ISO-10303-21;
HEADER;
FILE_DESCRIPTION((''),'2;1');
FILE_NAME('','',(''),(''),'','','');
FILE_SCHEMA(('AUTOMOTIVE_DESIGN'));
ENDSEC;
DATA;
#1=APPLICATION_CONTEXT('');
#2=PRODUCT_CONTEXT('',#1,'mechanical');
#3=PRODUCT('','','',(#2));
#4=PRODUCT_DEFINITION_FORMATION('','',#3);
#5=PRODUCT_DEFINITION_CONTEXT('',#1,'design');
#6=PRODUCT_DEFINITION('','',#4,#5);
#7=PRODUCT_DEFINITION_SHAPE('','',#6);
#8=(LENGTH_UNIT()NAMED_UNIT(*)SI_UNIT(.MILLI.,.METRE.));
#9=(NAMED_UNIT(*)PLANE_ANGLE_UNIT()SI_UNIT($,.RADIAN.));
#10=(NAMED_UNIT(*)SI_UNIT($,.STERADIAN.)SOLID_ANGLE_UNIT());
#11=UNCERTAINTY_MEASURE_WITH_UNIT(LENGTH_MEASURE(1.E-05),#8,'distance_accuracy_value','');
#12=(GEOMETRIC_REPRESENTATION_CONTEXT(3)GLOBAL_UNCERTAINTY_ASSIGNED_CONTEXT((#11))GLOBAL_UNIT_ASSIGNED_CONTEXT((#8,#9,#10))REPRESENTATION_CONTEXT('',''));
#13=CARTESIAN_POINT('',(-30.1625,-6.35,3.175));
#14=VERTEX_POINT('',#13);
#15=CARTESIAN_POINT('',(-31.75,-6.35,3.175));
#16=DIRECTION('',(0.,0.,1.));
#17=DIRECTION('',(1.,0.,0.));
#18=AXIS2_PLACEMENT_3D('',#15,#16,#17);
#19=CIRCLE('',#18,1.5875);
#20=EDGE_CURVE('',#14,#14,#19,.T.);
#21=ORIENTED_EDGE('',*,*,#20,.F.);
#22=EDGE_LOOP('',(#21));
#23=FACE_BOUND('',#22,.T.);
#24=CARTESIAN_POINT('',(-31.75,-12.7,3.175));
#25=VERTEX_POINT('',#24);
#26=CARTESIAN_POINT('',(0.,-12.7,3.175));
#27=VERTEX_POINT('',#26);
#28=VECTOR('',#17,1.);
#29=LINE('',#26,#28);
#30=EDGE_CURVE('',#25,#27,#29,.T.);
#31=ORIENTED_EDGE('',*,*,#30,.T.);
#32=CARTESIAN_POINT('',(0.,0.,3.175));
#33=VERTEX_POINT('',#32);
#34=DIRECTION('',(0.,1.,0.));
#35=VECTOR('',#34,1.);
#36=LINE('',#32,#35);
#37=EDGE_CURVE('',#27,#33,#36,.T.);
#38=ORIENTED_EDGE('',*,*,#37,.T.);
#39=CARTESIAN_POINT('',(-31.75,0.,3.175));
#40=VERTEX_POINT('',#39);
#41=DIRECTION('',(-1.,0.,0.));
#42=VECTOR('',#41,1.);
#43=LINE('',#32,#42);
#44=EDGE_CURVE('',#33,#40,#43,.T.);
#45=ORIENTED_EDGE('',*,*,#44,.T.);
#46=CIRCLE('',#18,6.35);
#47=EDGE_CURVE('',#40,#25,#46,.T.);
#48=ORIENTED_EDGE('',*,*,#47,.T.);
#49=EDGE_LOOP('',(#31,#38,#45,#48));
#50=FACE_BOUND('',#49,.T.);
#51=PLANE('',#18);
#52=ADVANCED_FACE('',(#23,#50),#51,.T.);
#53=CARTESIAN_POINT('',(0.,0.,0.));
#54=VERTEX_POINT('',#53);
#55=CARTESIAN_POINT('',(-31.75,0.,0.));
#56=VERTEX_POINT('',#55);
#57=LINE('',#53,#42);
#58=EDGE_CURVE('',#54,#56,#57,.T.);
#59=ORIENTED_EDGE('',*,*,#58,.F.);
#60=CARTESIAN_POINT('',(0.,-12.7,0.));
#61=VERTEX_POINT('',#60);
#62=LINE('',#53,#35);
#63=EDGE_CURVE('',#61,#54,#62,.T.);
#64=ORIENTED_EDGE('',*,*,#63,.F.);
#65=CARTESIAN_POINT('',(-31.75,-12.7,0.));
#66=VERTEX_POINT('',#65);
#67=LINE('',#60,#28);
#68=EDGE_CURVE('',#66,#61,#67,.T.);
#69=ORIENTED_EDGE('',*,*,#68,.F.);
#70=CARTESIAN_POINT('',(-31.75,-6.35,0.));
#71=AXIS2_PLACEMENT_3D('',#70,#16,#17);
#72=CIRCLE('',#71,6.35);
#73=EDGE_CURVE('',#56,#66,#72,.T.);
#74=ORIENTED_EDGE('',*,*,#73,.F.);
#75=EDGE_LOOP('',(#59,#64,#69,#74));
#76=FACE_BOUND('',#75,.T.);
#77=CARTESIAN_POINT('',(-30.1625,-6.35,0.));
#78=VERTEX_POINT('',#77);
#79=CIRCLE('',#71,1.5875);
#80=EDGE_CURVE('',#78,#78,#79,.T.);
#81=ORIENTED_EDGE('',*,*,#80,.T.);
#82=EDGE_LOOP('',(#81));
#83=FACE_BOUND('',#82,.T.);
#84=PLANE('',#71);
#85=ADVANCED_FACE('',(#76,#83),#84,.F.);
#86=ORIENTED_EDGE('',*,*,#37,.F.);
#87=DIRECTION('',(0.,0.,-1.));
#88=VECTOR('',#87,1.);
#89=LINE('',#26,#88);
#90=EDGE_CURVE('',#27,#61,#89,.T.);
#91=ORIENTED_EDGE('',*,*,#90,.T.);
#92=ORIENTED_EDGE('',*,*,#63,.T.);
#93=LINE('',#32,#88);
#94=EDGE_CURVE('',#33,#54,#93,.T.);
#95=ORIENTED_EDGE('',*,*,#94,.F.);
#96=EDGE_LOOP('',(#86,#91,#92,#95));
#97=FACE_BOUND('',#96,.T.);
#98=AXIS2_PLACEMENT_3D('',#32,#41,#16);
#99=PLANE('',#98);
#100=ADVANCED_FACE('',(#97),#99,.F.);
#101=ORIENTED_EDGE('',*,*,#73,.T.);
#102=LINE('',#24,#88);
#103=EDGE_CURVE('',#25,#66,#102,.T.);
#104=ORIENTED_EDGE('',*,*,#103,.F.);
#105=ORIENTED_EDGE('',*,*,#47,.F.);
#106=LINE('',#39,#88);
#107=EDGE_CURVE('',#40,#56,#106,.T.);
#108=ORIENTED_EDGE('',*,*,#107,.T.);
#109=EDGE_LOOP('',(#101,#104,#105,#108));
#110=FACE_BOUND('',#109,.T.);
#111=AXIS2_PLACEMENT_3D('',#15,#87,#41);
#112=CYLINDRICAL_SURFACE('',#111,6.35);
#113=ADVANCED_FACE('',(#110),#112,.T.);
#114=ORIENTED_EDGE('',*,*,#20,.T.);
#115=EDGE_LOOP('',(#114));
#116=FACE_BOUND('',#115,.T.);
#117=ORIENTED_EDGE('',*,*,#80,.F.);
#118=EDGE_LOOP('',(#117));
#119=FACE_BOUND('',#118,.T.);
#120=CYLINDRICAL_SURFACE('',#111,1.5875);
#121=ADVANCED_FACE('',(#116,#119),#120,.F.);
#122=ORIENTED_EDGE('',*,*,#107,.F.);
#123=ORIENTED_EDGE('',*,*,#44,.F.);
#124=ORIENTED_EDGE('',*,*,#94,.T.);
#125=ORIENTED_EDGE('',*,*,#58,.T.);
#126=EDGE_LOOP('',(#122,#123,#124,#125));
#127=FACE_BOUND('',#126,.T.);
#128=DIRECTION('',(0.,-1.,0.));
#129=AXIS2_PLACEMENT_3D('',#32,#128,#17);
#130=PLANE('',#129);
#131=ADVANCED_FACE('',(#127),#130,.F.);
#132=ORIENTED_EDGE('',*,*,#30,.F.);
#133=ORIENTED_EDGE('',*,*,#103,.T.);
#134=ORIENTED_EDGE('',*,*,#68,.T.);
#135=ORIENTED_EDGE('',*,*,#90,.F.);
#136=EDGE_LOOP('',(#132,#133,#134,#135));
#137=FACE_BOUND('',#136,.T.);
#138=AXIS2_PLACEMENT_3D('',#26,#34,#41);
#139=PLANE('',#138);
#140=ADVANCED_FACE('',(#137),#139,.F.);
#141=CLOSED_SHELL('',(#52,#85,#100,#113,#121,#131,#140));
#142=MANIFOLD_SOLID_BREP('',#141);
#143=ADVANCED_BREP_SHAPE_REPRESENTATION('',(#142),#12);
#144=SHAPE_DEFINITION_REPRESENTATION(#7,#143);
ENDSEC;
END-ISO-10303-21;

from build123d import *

# Parameters (mm, degrees)
SKETCH1_R           = 1.5875
BOSS_EXTRUDE1_DEPTH = 3.175


with BuildPart() as part:
    # Sketch1 → Boss-Extrude1 (new body)
    with BuildSketch(Plane.XY):
        with BuildLine():
            Line((0, 0), (-31.75, 0))
            ThreePointArc((-31.75, 0), (-38.1, -6.35), (-31.75, -12.7))
            Line((-31.75, -12.7), (0, -12.7))
            Line((0, -12.7), (0, 0))
        make_face()
        with Locations((-31.75, -6.35)):
            Circle(SKETCH1_R, mode=Mode.SUBTRACT)
    extrude(amount=BOSS_EXTRUDE1_DEPTH)


solid = part.part
